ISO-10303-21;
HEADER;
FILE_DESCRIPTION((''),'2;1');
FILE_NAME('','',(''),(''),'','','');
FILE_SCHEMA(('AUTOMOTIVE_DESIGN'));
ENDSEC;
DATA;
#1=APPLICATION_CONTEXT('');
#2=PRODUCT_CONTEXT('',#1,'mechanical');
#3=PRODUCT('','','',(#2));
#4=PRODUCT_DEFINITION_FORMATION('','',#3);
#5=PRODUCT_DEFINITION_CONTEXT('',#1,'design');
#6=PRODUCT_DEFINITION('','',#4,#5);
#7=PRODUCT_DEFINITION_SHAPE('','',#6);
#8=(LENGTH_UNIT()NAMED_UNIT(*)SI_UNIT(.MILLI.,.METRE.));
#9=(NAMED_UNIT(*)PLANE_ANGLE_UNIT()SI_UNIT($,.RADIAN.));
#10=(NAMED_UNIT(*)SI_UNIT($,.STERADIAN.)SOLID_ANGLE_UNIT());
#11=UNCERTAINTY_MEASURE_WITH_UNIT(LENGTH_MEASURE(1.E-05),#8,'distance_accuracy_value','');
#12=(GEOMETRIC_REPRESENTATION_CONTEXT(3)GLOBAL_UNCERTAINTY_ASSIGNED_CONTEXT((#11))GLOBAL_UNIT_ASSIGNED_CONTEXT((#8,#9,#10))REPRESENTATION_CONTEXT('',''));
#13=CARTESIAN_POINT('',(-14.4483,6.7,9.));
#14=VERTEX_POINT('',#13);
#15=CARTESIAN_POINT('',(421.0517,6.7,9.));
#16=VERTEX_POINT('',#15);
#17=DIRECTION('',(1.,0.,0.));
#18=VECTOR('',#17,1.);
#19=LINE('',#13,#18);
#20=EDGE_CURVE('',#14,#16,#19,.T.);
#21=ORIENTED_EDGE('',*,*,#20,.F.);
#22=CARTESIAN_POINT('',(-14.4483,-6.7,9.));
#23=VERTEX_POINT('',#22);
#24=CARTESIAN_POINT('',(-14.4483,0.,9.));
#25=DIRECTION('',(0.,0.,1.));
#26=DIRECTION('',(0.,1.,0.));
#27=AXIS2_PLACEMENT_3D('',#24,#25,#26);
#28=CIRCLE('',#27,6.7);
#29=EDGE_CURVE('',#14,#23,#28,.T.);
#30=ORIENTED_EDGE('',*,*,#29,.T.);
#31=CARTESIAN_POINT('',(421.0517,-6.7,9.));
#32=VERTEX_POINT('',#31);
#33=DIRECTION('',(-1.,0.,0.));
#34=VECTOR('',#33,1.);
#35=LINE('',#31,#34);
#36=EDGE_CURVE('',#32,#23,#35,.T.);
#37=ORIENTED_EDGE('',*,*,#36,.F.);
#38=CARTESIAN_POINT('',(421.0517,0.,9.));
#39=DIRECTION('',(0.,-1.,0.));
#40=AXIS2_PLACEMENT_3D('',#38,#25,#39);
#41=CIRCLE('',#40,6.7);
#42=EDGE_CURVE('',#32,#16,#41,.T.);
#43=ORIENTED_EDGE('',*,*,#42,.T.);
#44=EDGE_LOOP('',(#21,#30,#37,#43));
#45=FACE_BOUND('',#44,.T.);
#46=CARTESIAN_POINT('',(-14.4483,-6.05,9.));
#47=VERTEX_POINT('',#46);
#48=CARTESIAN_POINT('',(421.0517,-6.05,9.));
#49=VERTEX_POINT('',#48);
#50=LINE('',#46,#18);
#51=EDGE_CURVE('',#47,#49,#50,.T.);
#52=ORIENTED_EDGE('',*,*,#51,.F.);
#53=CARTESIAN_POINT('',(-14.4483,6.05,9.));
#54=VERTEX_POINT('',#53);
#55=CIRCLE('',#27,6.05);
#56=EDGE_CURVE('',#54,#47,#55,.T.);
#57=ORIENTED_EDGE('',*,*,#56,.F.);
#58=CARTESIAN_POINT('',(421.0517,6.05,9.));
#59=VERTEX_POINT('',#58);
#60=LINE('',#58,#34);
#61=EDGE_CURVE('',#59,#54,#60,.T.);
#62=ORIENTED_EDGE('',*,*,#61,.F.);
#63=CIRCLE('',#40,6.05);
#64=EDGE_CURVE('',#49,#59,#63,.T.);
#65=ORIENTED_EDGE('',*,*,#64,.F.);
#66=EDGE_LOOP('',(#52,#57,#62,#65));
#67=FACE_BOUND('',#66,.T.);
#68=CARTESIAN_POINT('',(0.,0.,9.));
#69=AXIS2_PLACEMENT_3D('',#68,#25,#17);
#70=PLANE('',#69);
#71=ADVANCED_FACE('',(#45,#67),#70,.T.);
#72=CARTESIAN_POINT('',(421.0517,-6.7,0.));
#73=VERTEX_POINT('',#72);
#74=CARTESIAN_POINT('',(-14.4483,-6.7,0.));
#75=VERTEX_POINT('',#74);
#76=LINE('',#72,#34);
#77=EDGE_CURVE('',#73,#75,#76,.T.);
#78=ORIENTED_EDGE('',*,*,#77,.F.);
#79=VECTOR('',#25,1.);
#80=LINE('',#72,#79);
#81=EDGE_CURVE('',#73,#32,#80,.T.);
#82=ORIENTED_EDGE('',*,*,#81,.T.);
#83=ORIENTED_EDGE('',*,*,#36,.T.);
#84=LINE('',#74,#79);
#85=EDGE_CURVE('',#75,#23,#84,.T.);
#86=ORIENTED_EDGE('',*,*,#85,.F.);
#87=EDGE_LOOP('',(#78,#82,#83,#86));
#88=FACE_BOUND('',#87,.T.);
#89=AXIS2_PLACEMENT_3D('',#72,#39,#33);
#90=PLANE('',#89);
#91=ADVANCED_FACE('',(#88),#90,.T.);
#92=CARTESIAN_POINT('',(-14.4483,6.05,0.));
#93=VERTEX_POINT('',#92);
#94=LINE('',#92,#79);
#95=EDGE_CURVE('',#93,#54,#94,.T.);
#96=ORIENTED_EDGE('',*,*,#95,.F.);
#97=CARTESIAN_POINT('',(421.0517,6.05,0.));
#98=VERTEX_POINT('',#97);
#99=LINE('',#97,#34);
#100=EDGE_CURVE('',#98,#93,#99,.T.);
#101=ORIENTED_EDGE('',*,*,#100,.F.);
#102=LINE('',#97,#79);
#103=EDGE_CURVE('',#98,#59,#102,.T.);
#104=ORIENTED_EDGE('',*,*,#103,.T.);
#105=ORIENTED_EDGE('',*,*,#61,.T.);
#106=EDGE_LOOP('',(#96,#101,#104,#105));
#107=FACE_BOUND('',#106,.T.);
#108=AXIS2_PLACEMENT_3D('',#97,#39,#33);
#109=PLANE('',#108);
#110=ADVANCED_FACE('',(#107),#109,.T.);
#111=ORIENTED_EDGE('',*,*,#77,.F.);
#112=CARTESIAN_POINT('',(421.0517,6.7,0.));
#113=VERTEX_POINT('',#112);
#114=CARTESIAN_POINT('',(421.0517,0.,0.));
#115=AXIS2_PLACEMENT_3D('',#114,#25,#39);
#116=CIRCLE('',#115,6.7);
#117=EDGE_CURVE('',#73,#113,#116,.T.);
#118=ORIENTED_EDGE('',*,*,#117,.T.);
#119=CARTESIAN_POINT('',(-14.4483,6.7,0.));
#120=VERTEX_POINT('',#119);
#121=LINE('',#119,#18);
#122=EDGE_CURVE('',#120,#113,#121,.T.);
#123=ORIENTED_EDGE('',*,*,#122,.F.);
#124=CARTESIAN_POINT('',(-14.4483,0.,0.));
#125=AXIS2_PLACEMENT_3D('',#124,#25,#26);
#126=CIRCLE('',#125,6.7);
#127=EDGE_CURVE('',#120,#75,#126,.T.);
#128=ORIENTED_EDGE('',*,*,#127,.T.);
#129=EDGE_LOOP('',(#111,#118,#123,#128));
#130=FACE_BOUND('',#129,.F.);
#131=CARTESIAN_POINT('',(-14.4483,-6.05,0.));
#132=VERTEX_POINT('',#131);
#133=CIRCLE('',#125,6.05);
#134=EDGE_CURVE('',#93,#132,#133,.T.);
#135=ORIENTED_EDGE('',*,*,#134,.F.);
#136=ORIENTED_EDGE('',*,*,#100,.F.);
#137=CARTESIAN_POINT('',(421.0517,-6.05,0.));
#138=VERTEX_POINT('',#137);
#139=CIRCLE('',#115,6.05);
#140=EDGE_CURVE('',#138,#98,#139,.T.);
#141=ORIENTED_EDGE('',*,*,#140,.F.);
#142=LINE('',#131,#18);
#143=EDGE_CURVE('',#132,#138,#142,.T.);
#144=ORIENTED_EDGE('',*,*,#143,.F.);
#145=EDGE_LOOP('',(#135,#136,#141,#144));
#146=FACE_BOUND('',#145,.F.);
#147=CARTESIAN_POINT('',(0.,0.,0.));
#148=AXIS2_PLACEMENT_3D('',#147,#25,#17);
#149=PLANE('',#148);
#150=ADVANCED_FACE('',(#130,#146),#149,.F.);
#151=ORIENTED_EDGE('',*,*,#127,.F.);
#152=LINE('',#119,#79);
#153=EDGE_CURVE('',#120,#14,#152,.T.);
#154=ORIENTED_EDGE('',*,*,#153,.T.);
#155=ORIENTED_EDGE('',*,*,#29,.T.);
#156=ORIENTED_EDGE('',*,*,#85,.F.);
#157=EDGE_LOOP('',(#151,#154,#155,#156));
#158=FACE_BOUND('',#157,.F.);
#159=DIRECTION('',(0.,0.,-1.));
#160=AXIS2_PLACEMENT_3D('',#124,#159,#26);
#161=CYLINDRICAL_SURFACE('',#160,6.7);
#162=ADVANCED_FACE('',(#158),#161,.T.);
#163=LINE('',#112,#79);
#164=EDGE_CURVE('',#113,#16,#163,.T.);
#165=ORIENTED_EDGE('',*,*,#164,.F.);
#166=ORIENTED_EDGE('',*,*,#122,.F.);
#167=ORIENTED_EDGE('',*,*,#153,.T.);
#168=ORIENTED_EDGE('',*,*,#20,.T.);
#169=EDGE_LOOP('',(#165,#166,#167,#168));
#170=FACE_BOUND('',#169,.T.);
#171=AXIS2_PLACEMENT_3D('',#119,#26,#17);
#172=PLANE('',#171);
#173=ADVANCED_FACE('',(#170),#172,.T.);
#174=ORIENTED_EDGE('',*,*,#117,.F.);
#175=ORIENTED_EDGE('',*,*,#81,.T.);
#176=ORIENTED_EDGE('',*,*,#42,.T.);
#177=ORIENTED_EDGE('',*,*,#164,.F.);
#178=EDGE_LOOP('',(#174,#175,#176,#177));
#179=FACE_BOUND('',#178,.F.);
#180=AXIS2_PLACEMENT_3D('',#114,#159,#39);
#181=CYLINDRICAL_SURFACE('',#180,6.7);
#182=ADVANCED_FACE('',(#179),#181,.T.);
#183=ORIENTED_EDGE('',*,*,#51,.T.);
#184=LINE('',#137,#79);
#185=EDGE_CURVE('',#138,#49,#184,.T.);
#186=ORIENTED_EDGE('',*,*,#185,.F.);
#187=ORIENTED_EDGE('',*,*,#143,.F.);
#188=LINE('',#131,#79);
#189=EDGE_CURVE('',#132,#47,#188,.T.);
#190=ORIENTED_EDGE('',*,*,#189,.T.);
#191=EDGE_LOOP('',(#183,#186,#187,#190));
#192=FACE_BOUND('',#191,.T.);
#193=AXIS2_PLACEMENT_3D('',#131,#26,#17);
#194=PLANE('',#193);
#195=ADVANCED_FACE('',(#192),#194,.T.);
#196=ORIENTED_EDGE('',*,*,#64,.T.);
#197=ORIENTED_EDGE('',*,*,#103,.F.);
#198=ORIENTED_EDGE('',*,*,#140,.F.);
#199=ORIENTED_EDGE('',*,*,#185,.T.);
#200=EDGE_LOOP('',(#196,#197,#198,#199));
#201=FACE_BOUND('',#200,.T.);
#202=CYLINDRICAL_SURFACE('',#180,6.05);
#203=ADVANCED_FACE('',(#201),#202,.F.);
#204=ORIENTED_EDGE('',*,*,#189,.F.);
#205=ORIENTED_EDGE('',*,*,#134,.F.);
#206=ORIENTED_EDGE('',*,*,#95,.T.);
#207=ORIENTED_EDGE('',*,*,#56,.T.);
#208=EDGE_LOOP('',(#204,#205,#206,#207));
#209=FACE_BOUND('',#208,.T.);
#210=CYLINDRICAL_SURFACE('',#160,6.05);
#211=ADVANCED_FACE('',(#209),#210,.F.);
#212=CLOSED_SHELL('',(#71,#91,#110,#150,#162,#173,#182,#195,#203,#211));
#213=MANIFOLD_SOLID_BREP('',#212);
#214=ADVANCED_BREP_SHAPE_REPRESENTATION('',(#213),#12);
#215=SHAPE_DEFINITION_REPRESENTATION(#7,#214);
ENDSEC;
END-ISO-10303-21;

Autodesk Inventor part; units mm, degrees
ref_plane "YZ Plane" through (0, 0, 0) normal (1, 0, 0) x (0, 1, 0)
ref_plane "XZ Plane" through (0, 0, 0) normal (0, 1, 0) x (-1, 0, 0)
ref_plane "XY Plane" through (0, 0, 0) normal (0, 0, 1) x (1, 0, 0)
sketch "Szkic1" plane through (0, 0, 0) normal (0, 0, 1) x (1, 0, 0)
  line L0 (-14.4483, 0) -> (421.0517, 0) construction
  line L1 (-14.4483, -6.05) -> (421.0517, -6.05)
  line L2 (421.0517, 6.05) -> (-14.4483, 6.05)
  arc A0 (-14.4483, 6.05) -> (-14.4483, -6.05) centre (-14.4483, 0) ccw
  arc A1 (421.0517, -6.05) -> (421.0517, 6.05) centre (421.0517, 0) ccw
  line L3 (-14.4483, 6.7) -> (421.0517, 6.7)
  arc A2 (421.0517, -6.7) -> (421.0517, 6.7) centre (421.0517, 0) ccw
  line L4 (421.0517, -6.7) -> (-14.4483, -6.7)
  arc A3 (-14.4483, 6.7) -> (-14.4483, -6.7) centre (-14.4483, 0) ccw
  point P0 (0, 0)
  point P1 (203.3017, 0)
  dimension "d0" = 435.5
  dimension "d1" = 12.1
  dimension "d2" = 0.65
extrude "Wyciągnięcie proste1" add sketch "Szkic1" along normal blind 9
properties part number "COTS_GENERIC_Y_Axis_GT2_Timing_Belt"
